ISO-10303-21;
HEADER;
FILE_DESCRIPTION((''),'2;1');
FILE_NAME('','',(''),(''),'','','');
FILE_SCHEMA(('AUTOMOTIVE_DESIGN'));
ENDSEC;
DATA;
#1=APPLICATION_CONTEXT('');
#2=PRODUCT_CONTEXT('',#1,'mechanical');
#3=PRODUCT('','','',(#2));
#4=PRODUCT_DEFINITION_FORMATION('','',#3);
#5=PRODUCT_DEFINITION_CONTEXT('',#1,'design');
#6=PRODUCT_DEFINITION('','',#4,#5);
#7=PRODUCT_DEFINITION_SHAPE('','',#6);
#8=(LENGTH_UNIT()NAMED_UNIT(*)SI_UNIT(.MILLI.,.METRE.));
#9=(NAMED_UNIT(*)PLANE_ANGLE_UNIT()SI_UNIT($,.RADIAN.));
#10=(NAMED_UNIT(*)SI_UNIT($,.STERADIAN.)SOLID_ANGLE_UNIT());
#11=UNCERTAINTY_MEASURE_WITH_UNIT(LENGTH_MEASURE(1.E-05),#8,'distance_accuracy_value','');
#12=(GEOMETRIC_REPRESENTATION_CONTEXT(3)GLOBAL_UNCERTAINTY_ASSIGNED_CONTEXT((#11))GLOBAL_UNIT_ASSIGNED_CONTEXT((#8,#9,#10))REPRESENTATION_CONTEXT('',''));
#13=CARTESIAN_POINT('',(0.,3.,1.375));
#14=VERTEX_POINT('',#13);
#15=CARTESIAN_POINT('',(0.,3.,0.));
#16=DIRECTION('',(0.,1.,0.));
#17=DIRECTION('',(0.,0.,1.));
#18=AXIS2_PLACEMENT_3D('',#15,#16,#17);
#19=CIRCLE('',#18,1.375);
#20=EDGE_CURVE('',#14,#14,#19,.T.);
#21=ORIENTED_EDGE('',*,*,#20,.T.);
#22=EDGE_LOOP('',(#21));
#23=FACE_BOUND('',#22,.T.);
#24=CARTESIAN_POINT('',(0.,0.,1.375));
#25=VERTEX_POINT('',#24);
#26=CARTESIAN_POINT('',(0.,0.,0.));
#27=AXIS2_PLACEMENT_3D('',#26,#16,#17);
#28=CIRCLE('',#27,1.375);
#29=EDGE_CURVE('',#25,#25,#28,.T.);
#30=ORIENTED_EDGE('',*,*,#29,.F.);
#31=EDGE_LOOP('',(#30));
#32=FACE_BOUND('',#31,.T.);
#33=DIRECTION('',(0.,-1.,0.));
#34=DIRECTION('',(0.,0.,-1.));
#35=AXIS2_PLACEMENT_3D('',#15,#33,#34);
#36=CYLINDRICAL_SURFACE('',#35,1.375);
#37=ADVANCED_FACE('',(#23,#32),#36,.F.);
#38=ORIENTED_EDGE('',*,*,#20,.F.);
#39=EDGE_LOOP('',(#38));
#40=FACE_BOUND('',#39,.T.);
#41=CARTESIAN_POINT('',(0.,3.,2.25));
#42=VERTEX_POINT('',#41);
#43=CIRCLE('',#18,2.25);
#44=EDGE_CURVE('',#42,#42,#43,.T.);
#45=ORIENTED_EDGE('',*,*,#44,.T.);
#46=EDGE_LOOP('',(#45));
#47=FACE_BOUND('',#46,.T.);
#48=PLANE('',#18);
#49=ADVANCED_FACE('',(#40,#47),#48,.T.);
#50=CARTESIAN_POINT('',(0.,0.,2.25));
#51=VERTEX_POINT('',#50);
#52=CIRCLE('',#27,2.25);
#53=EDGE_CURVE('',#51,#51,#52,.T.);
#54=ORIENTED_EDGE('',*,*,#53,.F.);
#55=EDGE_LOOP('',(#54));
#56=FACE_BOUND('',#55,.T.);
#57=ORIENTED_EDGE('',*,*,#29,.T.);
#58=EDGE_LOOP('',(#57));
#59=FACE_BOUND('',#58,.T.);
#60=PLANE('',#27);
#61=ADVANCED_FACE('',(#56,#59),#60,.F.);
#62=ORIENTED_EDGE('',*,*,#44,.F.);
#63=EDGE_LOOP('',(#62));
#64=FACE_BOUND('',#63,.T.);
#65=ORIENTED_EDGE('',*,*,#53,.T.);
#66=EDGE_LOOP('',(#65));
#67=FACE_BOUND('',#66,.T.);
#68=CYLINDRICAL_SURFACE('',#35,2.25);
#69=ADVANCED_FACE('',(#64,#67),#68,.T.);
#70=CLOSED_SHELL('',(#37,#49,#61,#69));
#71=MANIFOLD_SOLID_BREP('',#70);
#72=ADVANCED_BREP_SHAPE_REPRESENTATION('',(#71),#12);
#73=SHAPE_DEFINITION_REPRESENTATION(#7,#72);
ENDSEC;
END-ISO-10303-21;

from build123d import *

# Parameters (mm, degrees)
SKETCH1_R           = 2.249999945
SKETCH1_R_2         = 1.375000044
BOSS_EXTRUDE1_DEPTH = 3


with BuildPart() as part:
    # Sketch1 → Boss-Extrude1 (new body)
    with BuildSketch(Plane(origin=(0, 0, 0), x_dir=(1, 0, 0), z_dir=(0, 1, 0))):
        Circle(SKETCH1_R)
        Circle(SKETCH1_R_2, mode=Mode.SUBTRACT)
    extrude(amount=BOSS_EXTRUDE1_DEPTH)


solid = part.part
